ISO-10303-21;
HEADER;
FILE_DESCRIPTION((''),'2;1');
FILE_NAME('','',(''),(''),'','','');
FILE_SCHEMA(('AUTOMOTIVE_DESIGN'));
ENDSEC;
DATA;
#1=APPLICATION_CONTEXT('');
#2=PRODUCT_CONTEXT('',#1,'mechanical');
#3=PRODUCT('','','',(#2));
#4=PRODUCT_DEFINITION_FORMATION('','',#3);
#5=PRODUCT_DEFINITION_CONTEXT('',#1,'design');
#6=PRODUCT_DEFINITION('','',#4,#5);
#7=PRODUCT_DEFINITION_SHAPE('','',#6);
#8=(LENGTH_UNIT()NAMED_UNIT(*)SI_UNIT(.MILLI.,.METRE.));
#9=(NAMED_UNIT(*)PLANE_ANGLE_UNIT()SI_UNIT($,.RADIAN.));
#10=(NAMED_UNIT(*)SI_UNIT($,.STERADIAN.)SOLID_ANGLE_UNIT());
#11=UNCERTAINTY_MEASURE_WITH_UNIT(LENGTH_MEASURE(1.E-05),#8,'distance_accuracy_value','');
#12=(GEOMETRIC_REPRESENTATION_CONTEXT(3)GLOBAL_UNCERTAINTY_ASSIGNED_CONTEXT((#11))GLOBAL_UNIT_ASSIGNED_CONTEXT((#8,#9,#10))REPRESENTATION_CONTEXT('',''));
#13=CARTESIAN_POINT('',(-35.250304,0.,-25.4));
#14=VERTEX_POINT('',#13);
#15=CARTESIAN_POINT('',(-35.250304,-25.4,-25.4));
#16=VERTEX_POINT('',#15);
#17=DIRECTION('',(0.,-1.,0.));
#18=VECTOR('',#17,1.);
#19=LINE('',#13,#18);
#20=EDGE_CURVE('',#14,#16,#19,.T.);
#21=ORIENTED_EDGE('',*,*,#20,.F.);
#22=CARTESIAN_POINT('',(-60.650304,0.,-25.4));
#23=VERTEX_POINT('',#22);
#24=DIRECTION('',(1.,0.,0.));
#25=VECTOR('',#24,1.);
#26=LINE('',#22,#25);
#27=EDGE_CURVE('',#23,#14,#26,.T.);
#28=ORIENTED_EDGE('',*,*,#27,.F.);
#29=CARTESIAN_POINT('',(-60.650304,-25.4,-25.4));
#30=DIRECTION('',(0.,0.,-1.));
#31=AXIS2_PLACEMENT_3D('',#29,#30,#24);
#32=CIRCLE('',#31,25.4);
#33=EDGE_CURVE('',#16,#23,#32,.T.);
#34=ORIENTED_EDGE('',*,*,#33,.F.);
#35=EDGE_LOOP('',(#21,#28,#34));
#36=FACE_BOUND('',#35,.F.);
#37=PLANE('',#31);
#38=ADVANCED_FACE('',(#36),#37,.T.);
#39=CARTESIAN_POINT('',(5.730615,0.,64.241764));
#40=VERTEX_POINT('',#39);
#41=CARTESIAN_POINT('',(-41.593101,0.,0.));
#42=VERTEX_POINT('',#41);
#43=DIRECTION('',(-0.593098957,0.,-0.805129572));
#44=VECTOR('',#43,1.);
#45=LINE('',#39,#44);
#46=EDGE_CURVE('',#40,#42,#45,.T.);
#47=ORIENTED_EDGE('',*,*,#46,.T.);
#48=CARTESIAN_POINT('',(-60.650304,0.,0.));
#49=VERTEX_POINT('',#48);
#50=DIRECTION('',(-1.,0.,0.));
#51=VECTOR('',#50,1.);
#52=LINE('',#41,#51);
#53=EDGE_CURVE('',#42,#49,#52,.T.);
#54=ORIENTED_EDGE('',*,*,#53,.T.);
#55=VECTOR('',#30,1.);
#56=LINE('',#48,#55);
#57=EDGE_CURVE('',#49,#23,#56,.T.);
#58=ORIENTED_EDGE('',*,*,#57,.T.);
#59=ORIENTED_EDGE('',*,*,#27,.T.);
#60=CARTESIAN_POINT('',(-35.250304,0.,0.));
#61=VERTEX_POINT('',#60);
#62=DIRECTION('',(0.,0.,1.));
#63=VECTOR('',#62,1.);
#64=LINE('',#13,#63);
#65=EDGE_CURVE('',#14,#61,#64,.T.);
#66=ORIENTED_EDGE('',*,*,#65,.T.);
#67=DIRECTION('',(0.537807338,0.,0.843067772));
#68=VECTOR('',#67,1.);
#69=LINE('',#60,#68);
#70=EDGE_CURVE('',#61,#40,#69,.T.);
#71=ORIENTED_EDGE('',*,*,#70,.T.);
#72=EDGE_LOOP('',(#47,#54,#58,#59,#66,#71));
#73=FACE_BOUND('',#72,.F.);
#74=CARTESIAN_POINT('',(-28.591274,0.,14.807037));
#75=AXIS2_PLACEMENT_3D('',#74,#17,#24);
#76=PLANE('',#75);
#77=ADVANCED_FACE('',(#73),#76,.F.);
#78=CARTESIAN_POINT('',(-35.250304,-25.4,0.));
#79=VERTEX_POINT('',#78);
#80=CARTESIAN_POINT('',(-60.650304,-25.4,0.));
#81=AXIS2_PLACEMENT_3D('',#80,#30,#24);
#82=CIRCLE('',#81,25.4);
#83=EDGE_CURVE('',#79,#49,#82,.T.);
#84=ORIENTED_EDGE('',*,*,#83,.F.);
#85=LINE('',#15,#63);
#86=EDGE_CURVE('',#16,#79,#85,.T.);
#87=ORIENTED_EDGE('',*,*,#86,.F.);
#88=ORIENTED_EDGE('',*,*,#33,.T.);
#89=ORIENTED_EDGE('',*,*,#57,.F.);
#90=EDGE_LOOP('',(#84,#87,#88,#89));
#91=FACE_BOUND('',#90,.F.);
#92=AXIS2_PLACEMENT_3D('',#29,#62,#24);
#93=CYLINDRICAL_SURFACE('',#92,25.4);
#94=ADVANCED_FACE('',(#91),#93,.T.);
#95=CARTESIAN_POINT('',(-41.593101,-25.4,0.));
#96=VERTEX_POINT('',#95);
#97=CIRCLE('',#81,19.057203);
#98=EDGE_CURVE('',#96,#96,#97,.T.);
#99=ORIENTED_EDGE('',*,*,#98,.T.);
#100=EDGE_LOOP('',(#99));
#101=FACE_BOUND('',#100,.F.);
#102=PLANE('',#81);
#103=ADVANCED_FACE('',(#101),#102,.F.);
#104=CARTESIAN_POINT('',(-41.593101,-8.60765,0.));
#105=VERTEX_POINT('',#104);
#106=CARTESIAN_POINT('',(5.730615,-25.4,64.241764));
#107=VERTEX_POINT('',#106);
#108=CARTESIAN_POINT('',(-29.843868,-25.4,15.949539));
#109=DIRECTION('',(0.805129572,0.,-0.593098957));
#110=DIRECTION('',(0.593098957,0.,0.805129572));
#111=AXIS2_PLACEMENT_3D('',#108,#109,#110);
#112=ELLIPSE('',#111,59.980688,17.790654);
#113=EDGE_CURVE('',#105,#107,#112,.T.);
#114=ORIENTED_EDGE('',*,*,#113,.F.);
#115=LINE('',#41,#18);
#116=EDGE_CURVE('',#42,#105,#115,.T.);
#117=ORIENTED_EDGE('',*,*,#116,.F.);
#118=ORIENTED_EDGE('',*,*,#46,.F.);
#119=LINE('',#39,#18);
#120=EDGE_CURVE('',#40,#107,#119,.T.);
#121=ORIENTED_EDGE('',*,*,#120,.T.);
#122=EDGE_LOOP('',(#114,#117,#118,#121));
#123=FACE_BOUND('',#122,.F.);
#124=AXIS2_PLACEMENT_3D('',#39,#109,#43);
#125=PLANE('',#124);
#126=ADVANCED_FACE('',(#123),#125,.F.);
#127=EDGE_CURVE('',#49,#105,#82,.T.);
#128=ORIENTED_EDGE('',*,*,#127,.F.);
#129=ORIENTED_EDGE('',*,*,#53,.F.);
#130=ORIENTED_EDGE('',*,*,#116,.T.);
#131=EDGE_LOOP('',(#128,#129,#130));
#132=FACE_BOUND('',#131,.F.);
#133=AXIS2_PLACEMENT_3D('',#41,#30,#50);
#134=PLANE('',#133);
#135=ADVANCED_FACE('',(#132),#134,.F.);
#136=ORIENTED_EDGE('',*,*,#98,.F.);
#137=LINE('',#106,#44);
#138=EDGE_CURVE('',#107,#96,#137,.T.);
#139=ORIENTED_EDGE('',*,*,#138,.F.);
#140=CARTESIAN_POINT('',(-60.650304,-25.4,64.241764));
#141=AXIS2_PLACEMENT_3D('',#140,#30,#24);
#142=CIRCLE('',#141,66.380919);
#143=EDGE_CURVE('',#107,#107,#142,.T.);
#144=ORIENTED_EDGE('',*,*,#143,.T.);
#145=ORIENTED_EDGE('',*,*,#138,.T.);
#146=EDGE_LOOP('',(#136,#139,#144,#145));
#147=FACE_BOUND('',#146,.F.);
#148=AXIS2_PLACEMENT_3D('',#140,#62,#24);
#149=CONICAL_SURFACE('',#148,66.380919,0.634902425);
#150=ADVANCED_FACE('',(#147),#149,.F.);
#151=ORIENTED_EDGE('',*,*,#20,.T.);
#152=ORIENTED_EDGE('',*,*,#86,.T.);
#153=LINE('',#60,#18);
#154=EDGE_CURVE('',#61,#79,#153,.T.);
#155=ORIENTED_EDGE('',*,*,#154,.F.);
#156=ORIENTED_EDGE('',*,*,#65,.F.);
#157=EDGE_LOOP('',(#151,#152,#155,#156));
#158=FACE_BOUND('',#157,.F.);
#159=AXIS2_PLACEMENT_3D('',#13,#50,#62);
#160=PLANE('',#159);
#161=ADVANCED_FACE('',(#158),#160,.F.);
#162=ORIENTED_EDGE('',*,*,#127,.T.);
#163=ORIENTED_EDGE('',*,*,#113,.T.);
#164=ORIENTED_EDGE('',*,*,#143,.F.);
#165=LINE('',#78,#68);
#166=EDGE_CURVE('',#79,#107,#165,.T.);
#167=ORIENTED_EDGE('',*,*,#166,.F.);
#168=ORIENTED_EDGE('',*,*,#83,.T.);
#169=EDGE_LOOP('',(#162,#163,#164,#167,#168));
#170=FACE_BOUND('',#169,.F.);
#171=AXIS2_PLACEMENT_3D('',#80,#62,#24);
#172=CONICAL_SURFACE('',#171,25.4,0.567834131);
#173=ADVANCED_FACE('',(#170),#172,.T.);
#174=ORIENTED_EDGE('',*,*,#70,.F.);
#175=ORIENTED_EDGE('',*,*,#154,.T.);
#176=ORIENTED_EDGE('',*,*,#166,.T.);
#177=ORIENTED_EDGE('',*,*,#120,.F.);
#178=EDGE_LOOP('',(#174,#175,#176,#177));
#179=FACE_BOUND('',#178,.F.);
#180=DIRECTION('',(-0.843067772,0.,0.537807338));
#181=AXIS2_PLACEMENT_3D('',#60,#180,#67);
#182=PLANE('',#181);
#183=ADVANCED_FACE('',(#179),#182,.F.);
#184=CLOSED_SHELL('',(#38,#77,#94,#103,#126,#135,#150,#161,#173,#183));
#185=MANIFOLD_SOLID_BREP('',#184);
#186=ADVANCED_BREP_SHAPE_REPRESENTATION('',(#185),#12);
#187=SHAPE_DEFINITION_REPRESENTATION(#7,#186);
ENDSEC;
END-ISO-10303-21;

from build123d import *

# Parameters (mm, degrees)
F1_DEPTH = 25.4


with BuildPart() as f1:
    # F0 (on Front) → F1 (new body)
    with BuildSketch(Plane.XZ):
        Polygon((-41.593101, 0), (-60.650304, 0), (-60.650304, -25.4), (-35.250304, -25.4), (-35.250304, 0), (5.730615, 64.241764), align=None)
    extrude(amount=F1_DEPTH)

    # F1_face (on face) → F2 (revolve)
    with BuildSketch(Plane(origin=(-42.131222, -25.4, -4.512613), x_dir=(1, 0, 0), z_dir=(0, -1, 0))):
        Polygon((6.880918, 4.512613), (47.861837, 68.754377), (0.538121, 4.512613), (-18.519082, 4.512613), (-18.519082, -20.887387), (6.880918, -20.887387), align=None)
    revolve(axis=Axis((-60.650304, -25.4, -12.7), (0, 0, -1)))


solid = f1.part
